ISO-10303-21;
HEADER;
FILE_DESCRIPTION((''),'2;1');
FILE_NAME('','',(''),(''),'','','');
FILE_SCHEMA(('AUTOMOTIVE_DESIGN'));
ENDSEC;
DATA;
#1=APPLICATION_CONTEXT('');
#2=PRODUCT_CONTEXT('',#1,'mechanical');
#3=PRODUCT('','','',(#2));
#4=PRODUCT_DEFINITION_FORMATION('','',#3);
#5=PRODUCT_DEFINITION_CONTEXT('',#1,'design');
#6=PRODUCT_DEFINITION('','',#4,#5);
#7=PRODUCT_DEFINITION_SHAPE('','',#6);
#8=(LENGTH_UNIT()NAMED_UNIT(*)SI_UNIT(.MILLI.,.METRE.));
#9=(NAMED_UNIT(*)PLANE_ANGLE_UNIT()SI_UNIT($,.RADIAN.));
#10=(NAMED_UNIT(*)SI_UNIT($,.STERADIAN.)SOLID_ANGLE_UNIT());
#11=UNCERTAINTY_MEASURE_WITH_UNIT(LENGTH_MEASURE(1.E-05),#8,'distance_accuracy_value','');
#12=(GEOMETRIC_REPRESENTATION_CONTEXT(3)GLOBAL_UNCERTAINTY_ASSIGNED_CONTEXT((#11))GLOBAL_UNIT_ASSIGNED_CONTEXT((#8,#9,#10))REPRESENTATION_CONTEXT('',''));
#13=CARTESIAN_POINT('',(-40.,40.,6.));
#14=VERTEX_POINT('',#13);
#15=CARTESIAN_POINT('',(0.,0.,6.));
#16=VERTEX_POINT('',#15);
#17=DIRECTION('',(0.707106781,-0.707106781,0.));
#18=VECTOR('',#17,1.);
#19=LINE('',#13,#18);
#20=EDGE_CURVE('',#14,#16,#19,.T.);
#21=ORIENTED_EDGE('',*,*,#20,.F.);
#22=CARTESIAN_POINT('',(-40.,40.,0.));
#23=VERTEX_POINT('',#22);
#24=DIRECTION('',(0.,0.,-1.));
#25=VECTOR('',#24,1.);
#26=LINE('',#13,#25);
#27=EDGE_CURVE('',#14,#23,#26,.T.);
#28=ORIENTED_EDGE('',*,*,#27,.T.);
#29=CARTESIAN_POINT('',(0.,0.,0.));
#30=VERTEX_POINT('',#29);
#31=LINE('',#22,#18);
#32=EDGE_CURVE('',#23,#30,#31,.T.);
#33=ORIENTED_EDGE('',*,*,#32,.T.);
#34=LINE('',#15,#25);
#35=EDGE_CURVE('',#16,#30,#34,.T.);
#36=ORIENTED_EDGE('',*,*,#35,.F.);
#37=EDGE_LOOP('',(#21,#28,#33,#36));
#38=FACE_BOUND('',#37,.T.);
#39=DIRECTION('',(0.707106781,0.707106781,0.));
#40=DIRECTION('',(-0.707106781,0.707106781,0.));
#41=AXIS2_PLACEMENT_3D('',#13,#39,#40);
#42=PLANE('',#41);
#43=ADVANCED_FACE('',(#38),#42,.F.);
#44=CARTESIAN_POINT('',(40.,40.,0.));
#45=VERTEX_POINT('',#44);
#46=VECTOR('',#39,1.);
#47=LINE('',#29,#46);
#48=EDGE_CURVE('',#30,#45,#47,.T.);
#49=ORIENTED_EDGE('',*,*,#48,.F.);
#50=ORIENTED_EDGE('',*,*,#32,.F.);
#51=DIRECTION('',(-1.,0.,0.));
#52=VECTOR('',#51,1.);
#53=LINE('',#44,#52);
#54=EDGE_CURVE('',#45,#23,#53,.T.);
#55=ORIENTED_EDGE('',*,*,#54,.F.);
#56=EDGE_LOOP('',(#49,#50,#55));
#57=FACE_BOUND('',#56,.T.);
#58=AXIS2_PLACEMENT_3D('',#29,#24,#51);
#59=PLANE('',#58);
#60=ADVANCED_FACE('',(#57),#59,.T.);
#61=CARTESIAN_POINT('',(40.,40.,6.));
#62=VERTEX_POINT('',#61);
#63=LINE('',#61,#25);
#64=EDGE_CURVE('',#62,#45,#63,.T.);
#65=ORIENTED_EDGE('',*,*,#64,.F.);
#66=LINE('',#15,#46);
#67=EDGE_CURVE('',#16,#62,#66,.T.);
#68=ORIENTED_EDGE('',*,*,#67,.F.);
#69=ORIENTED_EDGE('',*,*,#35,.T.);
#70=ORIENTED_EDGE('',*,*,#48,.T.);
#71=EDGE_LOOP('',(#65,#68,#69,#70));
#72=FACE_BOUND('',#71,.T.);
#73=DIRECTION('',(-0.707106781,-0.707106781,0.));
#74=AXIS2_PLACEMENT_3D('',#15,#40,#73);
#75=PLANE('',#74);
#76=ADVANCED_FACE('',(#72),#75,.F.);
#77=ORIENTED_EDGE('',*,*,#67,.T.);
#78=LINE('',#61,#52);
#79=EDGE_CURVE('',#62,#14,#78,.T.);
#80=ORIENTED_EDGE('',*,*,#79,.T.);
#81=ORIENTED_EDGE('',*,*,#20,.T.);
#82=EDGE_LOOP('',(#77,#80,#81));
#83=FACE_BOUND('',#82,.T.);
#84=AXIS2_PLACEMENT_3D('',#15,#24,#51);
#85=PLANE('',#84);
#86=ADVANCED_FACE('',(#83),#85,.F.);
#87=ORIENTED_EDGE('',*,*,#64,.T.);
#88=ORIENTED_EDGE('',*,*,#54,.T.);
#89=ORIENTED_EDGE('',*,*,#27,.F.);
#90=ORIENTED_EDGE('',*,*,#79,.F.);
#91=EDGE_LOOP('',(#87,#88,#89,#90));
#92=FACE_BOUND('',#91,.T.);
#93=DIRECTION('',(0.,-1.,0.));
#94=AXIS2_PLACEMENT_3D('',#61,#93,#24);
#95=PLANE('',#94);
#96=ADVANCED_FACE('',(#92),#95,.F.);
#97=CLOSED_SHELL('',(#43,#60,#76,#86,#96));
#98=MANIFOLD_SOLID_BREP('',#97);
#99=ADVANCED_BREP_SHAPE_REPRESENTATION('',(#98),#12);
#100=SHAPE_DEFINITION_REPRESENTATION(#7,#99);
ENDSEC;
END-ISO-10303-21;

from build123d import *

# Parameters (mm, degrees)
BOSS_EXTRUDE1_DEPTH = 6


with BuildPart() as part:
    # Sketch1 → Boss-Extrude1 (new body)
    with BuildSketch(Plane.XY):
        Polygon((0, 0), (40, 40), (-40, 40), align=None)
    extrude(amount=BOSS_EXTRUDE1_DEPTH)


solid = part.part
